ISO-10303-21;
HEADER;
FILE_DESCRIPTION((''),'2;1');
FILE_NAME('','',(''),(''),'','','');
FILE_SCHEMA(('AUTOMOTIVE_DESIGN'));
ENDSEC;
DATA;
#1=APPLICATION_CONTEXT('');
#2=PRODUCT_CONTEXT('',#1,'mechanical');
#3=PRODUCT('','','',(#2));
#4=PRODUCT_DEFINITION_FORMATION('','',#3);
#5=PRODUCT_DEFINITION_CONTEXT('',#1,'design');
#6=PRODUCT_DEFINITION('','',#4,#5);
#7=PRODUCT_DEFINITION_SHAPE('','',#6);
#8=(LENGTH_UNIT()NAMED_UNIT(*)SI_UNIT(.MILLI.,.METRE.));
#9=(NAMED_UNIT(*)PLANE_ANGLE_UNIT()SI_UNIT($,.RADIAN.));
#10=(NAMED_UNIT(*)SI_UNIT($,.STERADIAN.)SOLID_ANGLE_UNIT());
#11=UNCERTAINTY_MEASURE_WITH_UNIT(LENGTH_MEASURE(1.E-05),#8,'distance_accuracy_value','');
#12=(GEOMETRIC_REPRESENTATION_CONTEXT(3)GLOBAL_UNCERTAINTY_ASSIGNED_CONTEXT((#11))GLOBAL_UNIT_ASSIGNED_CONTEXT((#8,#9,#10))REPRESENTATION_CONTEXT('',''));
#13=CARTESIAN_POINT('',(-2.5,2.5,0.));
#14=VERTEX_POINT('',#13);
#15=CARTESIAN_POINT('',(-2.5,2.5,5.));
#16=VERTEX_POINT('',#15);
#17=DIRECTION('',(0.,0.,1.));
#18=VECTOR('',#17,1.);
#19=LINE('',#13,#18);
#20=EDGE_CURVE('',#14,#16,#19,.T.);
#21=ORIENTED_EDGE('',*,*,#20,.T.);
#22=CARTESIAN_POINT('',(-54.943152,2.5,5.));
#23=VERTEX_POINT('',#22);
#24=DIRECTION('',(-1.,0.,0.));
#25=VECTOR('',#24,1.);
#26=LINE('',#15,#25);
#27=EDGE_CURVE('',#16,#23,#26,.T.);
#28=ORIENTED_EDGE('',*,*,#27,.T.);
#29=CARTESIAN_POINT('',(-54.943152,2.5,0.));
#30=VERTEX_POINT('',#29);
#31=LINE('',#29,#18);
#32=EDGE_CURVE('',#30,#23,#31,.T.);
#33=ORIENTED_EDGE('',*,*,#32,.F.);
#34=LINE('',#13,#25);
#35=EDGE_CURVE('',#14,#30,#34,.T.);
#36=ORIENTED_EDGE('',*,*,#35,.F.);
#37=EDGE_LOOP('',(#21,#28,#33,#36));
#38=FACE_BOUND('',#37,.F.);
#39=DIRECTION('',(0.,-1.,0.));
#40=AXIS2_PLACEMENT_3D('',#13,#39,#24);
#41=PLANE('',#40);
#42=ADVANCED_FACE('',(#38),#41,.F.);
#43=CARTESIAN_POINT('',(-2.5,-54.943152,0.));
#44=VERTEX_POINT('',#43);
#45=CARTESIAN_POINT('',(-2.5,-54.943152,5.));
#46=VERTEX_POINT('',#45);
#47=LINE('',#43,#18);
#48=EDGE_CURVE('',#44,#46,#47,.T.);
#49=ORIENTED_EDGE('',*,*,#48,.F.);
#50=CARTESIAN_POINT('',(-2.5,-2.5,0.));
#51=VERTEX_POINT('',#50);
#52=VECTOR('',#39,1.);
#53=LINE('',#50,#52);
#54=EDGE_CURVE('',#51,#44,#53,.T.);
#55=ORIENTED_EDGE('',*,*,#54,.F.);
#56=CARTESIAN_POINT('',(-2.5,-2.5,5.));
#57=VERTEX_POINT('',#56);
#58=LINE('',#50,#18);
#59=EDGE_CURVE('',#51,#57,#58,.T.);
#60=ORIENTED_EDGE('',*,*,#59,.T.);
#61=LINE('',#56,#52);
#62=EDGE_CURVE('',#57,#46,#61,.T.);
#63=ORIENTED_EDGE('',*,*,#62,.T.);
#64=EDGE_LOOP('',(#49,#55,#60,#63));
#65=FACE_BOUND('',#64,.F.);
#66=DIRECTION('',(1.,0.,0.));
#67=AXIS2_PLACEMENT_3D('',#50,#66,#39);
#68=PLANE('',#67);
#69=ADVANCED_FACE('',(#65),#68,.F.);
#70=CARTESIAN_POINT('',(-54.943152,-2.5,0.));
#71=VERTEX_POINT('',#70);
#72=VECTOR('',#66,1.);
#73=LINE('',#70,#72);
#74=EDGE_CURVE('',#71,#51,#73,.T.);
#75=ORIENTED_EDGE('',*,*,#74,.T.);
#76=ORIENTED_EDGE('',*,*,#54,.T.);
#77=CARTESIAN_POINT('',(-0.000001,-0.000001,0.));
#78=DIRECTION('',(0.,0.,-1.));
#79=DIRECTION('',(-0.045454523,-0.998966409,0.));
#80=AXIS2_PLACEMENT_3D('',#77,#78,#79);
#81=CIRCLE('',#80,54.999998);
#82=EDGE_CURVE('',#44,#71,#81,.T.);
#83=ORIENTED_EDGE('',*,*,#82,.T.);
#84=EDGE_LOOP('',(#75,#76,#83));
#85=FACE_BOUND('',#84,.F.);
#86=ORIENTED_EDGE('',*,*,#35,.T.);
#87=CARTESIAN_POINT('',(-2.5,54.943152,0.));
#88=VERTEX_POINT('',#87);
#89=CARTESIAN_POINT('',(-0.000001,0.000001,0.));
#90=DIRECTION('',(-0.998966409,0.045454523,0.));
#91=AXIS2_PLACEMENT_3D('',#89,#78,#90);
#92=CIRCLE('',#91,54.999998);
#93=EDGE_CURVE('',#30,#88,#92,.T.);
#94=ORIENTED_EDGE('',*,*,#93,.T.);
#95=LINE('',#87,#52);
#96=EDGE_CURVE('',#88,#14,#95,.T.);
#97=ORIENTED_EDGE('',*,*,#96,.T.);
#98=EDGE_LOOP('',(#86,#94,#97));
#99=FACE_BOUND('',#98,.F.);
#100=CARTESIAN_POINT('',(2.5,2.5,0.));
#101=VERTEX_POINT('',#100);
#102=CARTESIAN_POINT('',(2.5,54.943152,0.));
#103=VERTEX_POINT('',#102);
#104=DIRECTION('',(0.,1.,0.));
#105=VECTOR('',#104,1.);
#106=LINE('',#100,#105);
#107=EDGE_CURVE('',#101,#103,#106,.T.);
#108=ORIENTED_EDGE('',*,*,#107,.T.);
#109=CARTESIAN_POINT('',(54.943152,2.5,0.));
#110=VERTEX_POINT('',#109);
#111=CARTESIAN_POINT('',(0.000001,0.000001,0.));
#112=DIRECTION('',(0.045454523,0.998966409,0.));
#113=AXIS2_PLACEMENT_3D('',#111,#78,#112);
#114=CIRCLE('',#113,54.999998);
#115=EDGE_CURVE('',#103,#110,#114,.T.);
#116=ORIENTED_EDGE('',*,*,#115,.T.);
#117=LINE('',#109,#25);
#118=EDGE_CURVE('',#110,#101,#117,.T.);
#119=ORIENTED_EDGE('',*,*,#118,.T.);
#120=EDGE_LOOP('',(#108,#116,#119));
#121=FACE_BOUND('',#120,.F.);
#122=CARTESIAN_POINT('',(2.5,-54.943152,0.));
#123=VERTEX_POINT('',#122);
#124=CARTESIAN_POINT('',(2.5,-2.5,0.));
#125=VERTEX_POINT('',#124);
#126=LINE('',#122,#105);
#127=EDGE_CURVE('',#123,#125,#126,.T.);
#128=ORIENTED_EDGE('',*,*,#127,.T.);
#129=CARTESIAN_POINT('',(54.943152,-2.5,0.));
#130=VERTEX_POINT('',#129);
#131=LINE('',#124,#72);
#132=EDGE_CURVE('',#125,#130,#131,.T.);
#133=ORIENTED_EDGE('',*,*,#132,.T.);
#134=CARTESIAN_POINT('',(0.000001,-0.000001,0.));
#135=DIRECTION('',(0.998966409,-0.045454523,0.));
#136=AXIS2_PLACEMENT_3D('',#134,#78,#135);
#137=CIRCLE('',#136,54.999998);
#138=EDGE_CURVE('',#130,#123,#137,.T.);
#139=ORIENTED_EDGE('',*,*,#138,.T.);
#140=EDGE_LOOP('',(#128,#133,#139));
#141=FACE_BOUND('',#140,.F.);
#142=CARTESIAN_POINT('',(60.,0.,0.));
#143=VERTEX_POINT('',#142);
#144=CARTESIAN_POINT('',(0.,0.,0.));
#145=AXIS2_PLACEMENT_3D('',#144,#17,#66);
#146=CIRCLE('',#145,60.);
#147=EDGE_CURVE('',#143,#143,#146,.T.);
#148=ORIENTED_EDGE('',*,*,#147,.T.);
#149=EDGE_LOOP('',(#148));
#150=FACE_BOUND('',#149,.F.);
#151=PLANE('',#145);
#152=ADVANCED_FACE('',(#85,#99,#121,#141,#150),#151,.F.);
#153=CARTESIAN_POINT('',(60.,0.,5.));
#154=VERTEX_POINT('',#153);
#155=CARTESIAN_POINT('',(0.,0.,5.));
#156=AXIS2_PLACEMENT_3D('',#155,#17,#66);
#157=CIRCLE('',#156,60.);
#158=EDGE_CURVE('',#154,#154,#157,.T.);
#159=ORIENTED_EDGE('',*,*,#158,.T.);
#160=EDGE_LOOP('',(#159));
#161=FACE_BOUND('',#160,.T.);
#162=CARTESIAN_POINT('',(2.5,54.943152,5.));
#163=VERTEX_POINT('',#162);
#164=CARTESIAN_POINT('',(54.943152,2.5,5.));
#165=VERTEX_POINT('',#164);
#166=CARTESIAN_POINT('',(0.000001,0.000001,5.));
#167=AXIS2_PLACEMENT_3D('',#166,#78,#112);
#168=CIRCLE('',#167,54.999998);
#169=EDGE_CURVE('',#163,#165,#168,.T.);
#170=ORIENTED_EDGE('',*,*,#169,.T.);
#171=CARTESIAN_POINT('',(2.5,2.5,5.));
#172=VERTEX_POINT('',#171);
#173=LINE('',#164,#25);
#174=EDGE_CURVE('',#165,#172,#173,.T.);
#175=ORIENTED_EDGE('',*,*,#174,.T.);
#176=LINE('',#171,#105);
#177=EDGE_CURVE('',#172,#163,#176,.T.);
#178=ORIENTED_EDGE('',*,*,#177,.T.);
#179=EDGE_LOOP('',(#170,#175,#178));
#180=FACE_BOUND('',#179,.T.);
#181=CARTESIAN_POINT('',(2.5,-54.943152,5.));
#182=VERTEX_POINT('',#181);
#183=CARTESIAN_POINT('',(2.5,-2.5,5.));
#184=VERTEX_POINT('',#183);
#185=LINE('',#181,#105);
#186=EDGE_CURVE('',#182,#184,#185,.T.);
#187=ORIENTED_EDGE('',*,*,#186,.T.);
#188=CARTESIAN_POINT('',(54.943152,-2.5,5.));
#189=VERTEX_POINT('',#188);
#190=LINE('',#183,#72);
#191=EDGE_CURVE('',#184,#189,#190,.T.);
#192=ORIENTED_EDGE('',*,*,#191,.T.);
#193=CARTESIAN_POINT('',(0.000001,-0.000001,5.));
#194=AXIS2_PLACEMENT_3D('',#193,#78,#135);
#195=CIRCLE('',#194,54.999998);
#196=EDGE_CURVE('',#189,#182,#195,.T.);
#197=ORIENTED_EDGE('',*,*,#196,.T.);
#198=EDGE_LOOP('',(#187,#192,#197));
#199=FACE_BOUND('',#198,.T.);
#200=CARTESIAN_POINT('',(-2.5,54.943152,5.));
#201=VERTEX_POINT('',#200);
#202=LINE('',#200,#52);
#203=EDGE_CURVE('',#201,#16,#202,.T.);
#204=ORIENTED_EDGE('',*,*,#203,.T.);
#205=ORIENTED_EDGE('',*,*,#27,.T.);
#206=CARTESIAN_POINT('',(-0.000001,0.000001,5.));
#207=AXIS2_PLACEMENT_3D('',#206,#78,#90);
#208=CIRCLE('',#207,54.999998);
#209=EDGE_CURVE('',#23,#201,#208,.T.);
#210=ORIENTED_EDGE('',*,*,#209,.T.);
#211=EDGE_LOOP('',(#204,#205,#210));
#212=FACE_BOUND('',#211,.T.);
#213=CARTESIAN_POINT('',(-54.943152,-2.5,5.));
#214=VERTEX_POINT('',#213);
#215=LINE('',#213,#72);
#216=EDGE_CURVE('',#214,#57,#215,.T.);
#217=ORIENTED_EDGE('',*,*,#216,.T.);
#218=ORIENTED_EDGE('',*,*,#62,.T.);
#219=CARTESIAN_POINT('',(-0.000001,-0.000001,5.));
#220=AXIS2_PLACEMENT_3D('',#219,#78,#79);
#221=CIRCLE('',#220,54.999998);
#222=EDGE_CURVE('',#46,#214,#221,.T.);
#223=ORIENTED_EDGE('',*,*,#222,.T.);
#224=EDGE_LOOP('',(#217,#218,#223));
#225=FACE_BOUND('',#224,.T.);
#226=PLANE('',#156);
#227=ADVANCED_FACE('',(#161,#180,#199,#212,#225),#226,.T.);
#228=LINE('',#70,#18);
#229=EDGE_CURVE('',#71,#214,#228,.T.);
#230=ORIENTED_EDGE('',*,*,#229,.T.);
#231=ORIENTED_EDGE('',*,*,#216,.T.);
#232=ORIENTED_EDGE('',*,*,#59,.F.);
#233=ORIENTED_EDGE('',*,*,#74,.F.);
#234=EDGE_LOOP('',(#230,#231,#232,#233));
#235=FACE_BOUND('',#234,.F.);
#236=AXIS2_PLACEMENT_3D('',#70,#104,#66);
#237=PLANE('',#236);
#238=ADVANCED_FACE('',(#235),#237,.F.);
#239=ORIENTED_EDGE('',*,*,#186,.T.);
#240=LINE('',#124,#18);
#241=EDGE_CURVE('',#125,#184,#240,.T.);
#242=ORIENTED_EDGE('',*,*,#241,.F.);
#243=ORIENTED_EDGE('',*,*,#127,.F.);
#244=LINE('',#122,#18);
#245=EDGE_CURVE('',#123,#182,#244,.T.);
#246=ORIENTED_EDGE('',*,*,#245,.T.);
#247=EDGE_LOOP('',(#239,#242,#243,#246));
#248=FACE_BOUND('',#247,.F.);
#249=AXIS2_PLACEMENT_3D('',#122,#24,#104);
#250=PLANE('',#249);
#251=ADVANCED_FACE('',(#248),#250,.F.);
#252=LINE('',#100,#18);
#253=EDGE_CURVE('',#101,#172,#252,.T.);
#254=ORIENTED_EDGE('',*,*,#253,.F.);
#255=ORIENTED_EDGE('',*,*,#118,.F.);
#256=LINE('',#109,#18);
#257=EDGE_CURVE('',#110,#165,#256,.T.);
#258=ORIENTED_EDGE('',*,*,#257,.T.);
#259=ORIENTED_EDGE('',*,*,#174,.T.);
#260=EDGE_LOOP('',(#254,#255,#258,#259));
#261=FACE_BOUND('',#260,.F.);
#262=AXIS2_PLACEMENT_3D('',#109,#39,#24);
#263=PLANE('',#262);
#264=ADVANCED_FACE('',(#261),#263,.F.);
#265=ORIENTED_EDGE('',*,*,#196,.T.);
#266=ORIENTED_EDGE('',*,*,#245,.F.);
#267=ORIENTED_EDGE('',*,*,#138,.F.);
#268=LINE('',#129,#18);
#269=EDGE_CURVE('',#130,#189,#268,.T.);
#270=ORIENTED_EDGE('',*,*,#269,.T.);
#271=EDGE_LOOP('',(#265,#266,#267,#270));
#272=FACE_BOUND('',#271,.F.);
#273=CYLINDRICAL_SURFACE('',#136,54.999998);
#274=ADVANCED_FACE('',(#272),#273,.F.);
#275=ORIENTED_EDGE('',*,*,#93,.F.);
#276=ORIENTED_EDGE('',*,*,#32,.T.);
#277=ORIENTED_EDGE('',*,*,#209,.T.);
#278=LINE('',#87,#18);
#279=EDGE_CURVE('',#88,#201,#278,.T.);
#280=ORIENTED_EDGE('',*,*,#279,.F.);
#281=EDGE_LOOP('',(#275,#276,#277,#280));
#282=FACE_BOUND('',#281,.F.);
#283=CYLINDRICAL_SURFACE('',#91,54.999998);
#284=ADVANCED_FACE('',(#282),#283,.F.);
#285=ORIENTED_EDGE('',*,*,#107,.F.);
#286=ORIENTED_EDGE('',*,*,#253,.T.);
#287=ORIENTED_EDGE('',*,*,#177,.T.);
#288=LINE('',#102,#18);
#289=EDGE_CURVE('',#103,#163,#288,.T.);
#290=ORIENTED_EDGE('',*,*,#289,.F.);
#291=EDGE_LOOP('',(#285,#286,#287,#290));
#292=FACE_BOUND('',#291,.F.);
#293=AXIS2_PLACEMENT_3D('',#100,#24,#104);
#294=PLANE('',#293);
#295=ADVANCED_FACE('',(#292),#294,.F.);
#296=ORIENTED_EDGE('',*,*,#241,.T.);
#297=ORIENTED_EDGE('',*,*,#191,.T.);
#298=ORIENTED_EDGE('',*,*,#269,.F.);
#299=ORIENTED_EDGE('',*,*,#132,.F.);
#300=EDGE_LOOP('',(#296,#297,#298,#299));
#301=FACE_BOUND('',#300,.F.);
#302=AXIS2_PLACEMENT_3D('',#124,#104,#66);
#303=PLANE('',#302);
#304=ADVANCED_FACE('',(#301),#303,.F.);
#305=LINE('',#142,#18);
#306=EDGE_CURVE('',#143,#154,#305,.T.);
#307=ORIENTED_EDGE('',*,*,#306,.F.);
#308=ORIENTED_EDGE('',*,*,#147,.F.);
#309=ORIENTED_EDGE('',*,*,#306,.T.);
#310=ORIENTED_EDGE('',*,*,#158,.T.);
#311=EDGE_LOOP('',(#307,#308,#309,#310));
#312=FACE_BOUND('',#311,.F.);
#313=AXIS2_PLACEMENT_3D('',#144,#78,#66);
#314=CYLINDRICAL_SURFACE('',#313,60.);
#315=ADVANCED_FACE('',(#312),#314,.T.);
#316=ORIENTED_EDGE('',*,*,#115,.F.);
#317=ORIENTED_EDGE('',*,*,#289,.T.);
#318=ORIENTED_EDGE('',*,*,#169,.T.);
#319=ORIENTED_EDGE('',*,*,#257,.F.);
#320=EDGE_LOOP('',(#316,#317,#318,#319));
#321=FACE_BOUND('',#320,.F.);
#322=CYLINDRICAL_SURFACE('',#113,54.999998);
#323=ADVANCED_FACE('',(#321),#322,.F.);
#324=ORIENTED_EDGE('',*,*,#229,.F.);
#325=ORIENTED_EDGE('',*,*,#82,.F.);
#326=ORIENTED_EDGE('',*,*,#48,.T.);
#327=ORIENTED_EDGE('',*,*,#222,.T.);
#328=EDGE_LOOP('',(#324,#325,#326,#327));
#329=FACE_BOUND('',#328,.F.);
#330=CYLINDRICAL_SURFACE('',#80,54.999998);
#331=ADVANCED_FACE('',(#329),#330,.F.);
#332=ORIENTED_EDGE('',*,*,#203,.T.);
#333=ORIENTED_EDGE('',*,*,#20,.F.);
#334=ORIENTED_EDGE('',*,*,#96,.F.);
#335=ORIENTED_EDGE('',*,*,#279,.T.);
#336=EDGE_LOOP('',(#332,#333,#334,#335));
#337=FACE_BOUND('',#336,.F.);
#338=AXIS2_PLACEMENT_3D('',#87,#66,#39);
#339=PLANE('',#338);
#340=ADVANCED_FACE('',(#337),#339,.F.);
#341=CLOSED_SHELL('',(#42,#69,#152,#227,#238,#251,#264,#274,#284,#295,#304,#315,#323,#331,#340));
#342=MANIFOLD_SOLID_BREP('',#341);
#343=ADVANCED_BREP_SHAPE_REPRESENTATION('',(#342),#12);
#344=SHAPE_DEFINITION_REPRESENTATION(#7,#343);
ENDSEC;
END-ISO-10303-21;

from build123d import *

# Parameters (mm, degrees)
F0_R     = 60
F1_DEPTH = 5


with BuildPart() as f1:
    # F0 (on Top) → F1 (new body)
    with BuildSketch(Plane.XY):
        Circle(F0_R)
        with BuildLine():
            ThreePointArc((-2.5, -54.943152), (-38.890873, -38.890873), (-54.943152, -2.5))
            Line((-54.943152, -2.5), (-2.5, -2.5))
            Line((-2.5, -2.5), (-2.5, -54.943152))
        make_face(mode=Mode.SUBTRACT)
        with BuildLine():
            ThreePointArc((54.943152, -2.5), (38.890873, -38.890873), (2.5, -54.943152))
            Line((2.5, -54.943152), (2.5, -2.5))
            Line((2.5, -2.5), (54.943152, -2.5))
        make_face(mode=Mode.SUBTRACT)
        with BuildLine():
            ThreePointArc((-54.943152, 2.5), (-38.890873, 38.890873), (-2.5, 54.943152))
            Line((-2.5, 54.943152), (-2.5, 2.5))
            Line((-2.5, 2.5), (-54.943152, 2.5))
        make_face(mode=Mode.SUBTRACT)
        with BuildLine():
            ThreePointArc((2.5, 54.943152), (38.890873, 38.890873), (54.943152, 2.5))
            Line((54.943152, 2.5), (2.5, 2.5))
            Line((2.5, 2.5), (2.5, 54.943152))
        make_face(mode=Mode.SUBTRACT)
    extrude(amount=F1_DEPTH)


solid = f1.part
